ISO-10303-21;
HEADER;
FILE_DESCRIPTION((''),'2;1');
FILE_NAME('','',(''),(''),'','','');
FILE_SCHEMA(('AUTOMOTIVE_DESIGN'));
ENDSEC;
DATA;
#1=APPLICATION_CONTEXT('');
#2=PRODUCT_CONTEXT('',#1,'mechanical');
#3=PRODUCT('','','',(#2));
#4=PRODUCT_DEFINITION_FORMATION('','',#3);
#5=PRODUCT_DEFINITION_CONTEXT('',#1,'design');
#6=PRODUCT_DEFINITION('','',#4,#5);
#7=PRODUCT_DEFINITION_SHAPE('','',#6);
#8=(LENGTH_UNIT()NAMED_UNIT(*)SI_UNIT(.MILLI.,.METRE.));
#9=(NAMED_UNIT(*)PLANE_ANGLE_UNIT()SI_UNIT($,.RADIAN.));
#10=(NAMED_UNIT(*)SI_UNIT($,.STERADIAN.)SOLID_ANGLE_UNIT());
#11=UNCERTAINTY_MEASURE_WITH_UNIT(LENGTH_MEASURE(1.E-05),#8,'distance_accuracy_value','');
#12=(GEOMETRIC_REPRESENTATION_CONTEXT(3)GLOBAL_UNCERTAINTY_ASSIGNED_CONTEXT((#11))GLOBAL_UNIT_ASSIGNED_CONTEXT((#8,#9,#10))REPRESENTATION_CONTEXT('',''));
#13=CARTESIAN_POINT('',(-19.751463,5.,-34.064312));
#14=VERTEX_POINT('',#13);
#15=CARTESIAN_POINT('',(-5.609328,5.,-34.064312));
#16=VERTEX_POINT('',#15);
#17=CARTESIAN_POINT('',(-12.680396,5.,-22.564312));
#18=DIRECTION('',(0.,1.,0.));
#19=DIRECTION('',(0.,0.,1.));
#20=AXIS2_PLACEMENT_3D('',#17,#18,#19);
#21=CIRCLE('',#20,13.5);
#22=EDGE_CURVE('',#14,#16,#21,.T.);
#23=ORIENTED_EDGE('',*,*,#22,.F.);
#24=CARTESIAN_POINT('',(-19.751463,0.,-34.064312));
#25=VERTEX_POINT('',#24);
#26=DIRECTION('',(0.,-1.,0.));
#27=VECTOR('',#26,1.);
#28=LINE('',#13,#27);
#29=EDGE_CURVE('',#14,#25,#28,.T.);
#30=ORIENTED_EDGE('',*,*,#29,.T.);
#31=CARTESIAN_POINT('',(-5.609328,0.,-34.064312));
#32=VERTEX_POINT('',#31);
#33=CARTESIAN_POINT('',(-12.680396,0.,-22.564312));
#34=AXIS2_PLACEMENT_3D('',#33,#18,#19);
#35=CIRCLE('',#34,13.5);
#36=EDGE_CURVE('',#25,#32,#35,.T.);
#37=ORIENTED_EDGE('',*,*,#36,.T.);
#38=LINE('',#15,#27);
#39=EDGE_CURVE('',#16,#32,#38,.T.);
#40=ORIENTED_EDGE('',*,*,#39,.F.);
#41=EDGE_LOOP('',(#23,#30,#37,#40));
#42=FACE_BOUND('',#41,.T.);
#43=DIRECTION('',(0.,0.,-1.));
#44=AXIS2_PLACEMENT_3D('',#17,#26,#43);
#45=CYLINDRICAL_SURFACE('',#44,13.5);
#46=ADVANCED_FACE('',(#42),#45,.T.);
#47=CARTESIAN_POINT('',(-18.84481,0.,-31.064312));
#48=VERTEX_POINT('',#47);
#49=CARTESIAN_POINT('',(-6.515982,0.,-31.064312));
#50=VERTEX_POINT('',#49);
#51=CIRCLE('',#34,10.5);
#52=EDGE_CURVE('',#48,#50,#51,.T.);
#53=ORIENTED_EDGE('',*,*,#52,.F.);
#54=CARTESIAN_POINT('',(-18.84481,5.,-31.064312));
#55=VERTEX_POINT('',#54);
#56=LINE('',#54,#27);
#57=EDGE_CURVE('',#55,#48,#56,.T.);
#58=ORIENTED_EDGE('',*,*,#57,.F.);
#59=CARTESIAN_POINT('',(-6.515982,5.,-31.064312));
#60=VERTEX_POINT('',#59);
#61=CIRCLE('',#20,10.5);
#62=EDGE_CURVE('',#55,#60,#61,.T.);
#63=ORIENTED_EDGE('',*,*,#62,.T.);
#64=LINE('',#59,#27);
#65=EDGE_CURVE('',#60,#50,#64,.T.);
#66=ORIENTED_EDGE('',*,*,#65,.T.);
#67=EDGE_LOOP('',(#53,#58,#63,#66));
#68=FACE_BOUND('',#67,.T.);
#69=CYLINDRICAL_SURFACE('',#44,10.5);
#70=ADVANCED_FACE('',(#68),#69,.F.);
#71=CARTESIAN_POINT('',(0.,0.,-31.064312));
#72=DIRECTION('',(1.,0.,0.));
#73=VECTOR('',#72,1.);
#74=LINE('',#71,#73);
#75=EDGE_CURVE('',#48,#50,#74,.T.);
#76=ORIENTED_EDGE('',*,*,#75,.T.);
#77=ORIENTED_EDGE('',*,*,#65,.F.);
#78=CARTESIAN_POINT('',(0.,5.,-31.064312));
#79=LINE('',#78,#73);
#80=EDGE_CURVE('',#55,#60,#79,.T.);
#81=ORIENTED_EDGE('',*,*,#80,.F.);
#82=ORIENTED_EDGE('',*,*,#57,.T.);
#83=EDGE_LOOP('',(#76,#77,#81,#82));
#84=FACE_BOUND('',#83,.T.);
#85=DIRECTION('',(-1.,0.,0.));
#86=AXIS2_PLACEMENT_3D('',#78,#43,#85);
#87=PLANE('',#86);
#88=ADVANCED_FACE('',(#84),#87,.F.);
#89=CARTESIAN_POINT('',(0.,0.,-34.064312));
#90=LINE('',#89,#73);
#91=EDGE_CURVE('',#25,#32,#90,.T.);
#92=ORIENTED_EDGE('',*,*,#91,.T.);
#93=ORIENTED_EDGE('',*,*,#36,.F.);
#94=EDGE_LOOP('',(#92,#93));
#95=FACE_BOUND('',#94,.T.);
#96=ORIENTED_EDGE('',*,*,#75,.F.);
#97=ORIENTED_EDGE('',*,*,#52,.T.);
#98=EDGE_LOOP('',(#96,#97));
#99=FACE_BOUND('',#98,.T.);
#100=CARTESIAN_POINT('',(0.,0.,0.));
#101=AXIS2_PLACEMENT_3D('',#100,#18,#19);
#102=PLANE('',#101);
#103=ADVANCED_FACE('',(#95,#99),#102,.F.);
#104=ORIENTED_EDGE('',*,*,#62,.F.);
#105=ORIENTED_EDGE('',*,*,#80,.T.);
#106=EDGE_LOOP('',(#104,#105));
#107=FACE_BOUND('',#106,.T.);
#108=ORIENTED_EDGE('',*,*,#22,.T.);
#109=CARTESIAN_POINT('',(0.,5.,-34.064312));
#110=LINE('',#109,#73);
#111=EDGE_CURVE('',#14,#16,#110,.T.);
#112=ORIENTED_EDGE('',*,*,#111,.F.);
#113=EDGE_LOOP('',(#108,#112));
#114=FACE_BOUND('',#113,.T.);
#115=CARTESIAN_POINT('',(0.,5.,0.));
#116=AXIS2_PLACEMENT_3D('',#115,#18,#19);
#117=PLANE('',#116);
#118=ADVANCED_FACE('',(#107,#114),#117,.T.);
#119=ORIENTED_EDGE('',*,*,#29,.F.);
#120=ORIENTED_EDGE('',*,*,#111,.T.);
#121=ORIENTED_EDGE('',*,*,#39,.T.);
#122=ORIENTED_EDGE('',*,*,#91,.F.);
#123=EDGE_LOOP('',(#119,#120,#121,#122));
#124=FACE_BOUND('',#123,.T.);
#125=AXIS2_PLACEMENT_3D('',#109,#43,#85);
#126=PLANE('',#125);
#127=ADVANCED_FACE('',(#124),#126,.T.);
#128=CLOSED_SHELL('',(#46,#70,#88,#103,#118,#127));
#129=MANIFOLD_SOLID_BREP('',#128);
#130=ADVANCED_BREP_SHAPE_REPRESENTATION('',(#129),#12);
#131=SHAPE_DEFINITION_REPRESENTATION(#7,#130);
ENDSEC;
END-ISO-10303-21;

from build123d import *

# Parameters (mm, degrees)
BOSS_EXTRU_2_DEPTH = 5


with BuildPart() as part:
    # Esquisse2 → Boss.-Extru.2 (new body)
    with BuildSketch(Plane(origin=(0, 0, 0), x_dir=(1, 0, 0), z_dir=(0, 1, 0))):
        with BuildLine():
            ThreePointArc((-19.751463333, 34.064312188), (-23.703099364, 14.770083553), (-4.195114147, 12.064312188))
            ThreePointArc((-4.195114147, 12.064312188), (0.791798064, 23.430337591), (-5.609327709, 34.064312188))
            Line((-5.609327709, 34.064312188), (-19.751463333, 34.064312188))
        make_face()
        with BuildLine():
            Line((-18.844809524, 31.064312188), (-6.515981518, 31.064312188))
            ThreePointArc((-6.515981518, 31.064312188), (-2.692903343, 19.323941838), (-12.680395521, 12.064312188))
            ThreePointArc((-12.680395521, 12.064312188), (-22.667887699, 19.323941838), (-18.844809524, 31.064312188))
        make_face(mode=Mode.SUBTRACT)
    extrude(amount=BOSS_EXTRU_2_DEPTH)


solid = part.part
